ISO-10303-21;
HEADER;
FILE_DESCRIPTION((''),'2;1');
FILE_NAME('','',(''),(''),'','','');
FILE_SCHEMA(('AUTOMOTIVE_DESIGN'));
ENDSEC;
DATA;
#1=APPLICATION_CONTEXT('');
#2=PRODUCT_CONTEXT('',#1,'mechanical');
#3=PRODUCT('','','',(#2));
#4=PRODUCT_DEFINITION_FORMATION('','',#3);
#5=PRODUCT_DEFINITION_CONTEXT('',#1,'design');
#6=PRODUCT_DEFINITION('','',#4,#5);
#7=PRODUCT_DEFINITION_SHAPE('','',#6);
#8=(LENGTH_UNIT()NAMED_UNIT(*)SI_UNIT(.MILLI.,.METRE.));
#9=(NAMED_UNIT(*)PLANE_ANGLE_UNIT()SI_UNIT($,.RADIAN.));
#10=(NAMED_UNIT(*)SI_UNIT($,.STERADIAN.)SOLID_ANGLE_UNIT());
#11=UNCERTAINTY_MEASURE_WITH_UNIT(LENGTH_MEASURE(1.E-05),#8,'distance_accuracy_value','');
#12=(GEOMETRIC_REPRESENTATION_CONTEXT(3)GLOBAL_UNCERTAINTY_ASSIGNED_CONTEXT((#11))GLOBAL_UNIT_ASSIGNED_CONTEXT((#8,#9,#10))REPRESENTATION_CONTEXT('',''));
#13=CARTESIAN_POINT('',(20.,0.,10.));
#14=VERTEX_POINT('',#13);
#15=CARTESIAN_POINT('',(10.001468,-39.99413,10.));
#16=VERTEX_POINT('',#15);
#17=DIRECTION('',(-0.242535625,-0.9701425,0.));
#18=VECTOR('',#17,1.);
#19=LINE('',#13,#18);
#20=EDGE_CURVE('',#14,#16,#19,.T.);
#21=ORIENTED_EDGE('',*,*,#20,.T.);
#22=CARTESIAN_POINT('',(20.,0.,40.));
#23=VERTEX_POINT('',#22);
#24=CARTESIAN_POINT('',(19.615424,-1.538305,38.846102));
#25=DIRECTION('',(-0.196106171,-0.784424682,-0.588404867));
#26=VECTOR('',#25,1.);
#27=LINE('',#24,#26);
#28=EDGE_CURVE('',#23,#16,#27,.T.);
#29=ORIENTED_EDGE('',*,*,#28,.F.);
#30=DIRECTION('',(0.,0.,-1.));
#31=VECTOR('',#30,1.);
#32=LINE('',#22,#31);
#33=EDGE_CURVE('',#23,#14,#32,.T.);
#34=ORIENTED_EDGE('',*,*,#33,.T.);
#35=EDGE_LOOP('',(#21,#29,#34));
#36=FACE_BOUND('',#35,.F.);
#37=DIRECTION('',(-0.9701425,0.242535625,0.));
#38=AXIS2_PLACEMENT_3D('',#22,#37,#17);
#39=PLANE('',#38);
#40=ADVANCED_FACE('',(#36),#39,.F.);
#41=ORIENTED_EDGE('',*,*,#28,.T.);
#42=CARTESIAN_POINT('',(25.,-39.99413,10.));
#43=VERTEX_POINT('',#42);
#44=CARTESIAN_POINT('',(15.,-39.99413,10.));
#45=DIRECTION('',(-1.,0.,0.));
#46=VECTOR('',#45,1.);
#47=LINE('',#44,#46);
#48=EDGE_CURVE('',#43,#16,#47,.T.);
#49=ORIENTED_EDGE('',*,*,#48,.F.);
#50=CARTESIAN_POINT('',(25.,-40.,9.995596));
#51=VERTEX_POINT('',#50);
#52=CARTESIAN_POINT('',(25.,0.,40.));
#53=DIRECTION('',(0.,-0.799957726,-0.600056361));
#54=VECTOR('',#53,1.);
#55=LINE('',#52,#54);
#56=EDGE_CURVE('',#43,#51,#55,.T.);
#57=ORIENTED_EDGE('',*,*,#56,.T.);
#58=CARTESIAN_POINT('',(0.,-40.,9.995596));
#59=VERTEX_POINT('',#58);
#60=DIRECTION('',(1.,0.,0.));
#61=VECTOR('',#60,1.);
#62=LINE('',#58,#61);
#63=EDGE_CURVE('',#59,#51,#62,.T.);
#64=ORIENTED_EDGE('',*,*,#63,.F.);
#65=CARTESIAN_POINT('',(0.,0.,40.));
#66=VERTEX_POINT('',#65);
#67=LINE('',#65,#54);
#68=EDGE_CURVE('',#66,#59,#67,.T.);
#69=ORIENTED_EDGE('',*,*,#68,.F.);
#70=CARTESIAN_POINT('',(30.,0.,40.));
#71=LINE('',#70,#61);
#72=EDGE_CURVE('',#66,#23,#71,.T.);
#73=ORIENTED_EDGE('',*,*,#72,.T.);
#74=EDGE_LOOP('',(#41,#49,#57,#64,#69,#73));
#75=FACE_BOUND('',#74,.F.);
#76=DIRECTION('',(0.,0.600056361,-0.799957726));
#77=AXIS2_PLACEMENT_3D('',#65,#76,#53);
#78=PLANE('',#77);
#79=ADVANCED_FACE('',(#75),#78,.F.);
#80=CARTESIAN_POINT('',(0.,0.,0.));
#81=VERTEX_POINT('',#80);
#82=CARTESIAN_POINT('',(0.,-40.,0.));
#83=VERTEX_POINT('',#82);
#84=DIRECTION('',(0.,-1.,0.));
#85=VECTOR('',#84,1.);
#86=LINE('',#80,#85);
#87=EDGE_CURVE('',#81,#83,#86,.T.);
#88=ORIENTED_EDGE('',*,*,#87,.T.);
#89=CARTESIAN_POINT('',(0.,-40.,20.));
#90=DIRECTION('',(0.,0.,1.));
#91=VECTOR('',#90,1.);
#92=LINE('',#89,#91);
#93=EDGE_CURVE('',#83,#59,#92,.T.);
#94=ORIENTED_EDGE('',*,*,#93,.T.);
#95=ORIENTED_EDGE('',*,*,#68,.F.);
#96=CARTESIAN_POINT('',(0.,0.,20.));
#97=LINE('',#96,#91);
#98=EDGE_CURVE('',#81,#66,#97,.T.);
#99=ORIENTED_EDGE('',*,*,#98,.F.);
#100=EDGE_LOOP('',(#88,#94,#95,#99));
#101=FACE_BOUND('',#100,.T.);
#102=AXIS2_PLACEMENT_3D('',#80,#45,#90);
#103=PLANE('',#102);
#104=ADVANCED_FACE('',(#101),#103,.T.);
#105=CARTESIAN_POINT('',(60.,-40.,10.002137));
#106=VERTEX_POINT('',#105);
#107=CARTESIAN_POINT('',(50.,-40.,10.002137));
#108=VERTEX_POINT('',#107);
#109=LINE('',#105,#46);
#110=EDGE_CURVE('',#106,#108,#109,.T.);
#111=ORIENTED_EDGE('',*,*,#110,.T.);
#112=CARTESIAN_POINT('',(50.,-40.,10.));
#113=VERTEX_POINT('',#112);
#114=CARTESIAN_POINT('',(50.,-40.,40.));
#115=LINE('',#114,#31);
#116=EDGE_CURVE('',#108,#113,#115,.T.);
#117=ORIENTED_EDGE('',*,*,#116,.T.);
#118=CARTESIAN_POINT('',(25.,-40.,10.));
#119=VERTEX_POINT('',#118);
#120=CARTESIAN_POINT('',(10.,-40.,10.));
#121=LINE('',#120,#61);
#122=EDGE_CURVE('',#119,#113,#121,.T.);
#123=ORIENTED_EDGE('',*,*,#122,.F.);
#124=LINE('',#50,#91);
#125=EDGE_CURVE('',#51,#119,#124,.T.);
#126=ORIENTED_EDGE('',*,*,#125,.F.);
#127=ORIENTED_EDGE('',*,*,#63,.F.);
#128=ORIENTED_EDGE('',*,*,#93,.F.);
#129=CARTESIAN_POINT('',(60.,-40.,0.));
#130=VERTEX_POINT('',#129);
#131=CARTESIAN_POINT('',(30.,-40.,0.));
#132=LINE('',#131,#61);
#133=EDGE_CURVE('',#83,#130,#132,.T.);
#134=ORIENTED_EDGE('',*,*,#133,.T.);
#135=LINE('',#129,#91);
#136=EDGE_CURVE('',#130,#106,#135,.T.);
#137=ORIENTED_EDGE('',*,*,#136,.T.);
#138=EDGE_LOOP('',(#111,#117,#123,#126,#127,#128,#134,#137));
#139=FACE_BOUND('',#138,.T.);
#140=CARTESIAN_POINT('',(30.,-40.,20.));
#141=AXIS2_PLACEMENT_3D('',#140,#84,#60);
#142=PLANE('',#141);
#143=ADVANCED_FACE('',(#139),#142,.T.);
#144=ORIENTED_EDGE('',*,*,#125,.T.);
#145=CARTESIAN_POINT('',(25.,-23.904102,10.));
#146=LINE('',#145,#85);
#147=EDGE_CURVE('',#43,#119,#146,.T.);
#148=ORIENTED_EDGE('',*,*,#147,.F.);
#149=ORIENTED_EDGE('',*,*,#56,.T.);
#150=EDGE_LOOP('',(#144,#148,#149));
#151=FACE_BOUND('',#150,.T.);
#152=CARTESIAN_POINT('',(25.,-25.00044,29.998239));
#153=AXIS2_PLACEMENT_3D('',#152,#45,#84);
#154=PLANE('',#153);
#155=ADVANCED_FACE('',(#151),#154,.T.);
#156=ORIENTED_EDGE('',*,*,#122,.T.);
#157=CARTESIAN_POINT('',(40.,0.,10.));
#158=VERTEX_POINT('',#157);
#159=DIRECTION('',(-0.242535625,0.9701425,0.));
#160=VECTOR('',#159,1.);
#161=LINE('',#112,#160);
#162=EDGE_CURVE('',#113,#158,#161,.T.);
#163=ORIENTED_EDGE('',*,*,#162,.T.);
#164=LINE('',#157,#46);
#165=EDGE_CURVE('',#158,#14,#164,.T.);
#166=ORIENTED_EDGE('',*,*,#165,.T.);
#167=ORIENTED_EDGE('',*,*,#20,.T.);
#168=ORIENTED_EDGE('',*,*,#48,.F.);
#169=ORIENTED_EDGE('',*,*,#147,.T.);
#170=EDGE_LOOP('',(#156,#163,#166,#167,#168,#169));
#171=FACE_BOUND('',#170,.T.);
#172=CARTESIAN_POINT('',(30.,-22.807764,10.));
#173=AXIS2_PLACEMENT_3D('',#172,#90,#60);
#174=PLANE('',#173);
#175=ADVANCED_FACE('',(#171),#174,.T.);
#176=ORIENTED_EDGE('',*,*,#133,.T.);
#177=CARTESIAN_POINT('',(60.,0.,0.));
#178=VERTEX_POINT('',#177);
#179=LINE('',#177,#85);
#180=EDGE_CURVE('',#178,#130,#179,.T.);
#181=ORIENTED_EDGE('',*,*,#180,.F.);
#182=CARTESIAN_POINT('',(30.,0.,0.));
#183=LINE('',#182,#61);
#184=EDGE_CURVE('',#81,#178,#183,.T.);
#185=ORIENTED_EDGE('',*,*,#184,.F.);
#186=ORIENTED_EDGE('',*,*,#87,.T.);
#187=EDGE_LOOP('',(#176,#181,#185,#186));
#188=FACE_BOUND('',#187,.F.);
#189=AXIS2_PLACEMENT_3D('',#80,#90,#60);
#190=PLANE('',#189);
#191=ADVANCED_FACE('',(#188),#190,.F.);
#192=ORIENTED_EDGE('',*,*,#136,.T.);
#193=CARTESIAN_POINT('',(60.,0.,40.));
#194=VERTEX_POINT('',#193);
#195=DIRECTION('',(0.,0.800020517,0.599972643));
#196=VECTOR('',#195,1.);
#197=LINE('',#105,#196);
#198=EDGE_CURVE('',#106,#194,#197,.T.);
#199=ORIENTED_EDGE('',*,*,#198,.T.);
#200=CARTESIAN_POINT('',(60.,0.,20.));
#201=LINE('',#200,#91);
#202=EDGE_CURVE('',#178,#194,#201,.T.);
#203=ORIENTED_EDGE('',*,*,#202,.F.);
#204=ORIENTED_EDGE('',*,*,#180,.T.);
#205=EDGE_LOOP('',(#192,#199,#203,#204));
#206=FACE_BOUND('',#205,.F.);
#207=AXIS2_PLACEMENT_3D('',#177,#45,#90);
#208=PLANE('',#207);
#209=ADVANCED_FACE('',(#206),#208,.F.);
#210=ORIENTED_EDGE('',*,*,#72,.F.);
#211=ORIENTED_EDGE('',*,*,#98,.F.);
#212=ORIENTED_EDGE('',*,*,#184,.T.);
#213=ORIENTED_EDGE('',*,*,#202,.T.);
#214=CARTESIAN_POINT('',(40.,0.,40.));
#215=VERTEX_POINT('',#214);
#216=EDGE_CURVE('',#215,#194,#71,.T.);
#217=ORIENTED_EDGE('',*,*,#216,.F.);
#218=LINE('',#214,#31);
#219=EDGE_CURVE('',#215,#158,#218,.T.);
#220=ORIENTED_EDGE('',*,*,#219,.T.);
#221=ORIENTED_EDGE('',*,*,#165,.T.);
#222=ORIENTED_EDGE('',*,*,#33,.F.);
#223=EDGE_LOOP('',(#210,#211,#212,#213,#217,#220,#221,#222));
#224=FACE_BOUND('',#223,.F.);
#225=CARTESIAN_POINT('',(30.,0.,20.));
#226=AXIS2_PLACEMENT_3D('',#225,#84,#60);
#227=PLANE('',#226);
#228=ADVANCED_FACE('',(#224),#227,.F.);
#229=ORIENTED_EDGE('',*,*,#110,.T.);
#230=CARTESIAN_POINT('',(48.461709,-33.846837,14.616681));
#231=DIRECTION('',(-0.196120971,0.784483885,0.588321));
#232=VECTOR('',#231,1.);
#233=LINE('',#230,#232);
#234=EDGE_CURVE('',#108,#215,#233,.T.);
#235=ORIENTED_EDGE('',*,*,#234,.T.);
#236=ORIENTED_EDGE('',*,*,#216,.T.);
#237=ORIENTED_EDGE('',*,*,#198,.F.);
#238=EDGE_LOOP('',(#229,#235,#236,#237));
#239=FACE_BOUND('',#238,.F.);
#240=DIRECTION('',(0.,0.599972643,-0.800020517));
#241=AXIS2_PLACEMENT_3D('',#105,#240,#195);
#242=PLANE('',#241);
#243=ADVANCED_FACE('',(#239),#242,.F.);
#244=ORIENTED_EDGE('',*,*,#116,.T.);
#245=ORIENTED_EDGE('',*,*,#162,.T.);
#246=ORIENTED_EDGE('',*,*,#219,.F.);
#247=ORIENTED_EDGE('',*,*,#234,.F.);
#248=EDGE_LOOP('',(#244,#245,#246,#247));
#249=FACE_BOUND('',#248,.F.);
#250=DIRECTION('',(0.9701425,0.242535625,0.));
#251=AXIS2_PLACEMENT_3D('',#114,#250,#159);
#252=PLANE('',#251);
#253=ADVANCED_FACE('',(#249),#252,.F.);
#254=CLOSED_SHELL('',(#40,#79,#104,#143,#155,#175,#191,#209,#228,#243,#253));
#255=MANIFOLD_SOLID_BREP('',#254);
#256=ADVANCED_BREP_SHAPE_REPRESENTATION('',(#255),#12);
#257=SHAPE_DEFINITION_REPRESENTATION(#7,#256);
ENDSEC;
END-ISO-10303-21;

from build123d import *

# Parameters (mm, degrees)
F0_W      = 60
F0_H      = 40
F1_DEPTH  = 40
F3_DEPTH  = 30
F6_DEPTH  = 25
F4_W      = 10
F4_H      = 30
F7_DEPTH  = 25
F10_DEPTH = 25
F8_W      = 10
F8_H      = 30
F11_DEPTH = 25


with BuildPart() as f1:
    # F0 (on Front) → F1 (new body)
    with BuildSketch(Plane.XZ):
        with Locations((30, 20)):
            Rectangle(F0_W, F0_H)
    extrude(amount=F1_DEPTH)

    # F2 (on face) → F3 (cut)
    with BuildSketch(Plane.XY.offset(40)):
        Polygon((40, 0), (20, 0), (10, -40), (50, -40), align=None)
    extrude(amount=-F3_DEPTH, mode=Mode.SUBTRACT)

    # F5 (on face) → F6 (cut)
    with BuildSketch(Plane(origin=(0, 0, 0), x_dir=(0, -1, 0), z_dir=(-1, 0, 0))):
        Polygon((40, 40), (0, 40), (40, 9.9955964833), align=None)
    extrude(amount=-F6_DEPTH, mode=Mode.SUBTRACT)

    # F4 (on face) → F7 (cut)
    with BuildSketch(Plane.XZ.offset(40)):
        with Locations((5, 25)):
            Rectangle(F4_W, F4_H)
    extrude(amount=F7_DEPTH, mode=Mode.SUBTRACT)

    # F9 (on face) → F10 (cut)
    with BuildSketch(Plane.YZ.offset(60)):
        Polygon((-40, 10.0021371618), (0, 40), (-40, 40), align=None)
    extrude(amount=-F10_DEPTH, mode=Mode.SUBTRACT)

    # F8 (on face) → F11 (cut)
    with BuildSketch(Plane.XZ.offset(40)):
        with Locations((55, 25)):
            Rectangle(F8_W, F8_H)
    extrude(amount=F11_DEPTH, mode=Mode.SUBTRACT)


solid = f1.part
